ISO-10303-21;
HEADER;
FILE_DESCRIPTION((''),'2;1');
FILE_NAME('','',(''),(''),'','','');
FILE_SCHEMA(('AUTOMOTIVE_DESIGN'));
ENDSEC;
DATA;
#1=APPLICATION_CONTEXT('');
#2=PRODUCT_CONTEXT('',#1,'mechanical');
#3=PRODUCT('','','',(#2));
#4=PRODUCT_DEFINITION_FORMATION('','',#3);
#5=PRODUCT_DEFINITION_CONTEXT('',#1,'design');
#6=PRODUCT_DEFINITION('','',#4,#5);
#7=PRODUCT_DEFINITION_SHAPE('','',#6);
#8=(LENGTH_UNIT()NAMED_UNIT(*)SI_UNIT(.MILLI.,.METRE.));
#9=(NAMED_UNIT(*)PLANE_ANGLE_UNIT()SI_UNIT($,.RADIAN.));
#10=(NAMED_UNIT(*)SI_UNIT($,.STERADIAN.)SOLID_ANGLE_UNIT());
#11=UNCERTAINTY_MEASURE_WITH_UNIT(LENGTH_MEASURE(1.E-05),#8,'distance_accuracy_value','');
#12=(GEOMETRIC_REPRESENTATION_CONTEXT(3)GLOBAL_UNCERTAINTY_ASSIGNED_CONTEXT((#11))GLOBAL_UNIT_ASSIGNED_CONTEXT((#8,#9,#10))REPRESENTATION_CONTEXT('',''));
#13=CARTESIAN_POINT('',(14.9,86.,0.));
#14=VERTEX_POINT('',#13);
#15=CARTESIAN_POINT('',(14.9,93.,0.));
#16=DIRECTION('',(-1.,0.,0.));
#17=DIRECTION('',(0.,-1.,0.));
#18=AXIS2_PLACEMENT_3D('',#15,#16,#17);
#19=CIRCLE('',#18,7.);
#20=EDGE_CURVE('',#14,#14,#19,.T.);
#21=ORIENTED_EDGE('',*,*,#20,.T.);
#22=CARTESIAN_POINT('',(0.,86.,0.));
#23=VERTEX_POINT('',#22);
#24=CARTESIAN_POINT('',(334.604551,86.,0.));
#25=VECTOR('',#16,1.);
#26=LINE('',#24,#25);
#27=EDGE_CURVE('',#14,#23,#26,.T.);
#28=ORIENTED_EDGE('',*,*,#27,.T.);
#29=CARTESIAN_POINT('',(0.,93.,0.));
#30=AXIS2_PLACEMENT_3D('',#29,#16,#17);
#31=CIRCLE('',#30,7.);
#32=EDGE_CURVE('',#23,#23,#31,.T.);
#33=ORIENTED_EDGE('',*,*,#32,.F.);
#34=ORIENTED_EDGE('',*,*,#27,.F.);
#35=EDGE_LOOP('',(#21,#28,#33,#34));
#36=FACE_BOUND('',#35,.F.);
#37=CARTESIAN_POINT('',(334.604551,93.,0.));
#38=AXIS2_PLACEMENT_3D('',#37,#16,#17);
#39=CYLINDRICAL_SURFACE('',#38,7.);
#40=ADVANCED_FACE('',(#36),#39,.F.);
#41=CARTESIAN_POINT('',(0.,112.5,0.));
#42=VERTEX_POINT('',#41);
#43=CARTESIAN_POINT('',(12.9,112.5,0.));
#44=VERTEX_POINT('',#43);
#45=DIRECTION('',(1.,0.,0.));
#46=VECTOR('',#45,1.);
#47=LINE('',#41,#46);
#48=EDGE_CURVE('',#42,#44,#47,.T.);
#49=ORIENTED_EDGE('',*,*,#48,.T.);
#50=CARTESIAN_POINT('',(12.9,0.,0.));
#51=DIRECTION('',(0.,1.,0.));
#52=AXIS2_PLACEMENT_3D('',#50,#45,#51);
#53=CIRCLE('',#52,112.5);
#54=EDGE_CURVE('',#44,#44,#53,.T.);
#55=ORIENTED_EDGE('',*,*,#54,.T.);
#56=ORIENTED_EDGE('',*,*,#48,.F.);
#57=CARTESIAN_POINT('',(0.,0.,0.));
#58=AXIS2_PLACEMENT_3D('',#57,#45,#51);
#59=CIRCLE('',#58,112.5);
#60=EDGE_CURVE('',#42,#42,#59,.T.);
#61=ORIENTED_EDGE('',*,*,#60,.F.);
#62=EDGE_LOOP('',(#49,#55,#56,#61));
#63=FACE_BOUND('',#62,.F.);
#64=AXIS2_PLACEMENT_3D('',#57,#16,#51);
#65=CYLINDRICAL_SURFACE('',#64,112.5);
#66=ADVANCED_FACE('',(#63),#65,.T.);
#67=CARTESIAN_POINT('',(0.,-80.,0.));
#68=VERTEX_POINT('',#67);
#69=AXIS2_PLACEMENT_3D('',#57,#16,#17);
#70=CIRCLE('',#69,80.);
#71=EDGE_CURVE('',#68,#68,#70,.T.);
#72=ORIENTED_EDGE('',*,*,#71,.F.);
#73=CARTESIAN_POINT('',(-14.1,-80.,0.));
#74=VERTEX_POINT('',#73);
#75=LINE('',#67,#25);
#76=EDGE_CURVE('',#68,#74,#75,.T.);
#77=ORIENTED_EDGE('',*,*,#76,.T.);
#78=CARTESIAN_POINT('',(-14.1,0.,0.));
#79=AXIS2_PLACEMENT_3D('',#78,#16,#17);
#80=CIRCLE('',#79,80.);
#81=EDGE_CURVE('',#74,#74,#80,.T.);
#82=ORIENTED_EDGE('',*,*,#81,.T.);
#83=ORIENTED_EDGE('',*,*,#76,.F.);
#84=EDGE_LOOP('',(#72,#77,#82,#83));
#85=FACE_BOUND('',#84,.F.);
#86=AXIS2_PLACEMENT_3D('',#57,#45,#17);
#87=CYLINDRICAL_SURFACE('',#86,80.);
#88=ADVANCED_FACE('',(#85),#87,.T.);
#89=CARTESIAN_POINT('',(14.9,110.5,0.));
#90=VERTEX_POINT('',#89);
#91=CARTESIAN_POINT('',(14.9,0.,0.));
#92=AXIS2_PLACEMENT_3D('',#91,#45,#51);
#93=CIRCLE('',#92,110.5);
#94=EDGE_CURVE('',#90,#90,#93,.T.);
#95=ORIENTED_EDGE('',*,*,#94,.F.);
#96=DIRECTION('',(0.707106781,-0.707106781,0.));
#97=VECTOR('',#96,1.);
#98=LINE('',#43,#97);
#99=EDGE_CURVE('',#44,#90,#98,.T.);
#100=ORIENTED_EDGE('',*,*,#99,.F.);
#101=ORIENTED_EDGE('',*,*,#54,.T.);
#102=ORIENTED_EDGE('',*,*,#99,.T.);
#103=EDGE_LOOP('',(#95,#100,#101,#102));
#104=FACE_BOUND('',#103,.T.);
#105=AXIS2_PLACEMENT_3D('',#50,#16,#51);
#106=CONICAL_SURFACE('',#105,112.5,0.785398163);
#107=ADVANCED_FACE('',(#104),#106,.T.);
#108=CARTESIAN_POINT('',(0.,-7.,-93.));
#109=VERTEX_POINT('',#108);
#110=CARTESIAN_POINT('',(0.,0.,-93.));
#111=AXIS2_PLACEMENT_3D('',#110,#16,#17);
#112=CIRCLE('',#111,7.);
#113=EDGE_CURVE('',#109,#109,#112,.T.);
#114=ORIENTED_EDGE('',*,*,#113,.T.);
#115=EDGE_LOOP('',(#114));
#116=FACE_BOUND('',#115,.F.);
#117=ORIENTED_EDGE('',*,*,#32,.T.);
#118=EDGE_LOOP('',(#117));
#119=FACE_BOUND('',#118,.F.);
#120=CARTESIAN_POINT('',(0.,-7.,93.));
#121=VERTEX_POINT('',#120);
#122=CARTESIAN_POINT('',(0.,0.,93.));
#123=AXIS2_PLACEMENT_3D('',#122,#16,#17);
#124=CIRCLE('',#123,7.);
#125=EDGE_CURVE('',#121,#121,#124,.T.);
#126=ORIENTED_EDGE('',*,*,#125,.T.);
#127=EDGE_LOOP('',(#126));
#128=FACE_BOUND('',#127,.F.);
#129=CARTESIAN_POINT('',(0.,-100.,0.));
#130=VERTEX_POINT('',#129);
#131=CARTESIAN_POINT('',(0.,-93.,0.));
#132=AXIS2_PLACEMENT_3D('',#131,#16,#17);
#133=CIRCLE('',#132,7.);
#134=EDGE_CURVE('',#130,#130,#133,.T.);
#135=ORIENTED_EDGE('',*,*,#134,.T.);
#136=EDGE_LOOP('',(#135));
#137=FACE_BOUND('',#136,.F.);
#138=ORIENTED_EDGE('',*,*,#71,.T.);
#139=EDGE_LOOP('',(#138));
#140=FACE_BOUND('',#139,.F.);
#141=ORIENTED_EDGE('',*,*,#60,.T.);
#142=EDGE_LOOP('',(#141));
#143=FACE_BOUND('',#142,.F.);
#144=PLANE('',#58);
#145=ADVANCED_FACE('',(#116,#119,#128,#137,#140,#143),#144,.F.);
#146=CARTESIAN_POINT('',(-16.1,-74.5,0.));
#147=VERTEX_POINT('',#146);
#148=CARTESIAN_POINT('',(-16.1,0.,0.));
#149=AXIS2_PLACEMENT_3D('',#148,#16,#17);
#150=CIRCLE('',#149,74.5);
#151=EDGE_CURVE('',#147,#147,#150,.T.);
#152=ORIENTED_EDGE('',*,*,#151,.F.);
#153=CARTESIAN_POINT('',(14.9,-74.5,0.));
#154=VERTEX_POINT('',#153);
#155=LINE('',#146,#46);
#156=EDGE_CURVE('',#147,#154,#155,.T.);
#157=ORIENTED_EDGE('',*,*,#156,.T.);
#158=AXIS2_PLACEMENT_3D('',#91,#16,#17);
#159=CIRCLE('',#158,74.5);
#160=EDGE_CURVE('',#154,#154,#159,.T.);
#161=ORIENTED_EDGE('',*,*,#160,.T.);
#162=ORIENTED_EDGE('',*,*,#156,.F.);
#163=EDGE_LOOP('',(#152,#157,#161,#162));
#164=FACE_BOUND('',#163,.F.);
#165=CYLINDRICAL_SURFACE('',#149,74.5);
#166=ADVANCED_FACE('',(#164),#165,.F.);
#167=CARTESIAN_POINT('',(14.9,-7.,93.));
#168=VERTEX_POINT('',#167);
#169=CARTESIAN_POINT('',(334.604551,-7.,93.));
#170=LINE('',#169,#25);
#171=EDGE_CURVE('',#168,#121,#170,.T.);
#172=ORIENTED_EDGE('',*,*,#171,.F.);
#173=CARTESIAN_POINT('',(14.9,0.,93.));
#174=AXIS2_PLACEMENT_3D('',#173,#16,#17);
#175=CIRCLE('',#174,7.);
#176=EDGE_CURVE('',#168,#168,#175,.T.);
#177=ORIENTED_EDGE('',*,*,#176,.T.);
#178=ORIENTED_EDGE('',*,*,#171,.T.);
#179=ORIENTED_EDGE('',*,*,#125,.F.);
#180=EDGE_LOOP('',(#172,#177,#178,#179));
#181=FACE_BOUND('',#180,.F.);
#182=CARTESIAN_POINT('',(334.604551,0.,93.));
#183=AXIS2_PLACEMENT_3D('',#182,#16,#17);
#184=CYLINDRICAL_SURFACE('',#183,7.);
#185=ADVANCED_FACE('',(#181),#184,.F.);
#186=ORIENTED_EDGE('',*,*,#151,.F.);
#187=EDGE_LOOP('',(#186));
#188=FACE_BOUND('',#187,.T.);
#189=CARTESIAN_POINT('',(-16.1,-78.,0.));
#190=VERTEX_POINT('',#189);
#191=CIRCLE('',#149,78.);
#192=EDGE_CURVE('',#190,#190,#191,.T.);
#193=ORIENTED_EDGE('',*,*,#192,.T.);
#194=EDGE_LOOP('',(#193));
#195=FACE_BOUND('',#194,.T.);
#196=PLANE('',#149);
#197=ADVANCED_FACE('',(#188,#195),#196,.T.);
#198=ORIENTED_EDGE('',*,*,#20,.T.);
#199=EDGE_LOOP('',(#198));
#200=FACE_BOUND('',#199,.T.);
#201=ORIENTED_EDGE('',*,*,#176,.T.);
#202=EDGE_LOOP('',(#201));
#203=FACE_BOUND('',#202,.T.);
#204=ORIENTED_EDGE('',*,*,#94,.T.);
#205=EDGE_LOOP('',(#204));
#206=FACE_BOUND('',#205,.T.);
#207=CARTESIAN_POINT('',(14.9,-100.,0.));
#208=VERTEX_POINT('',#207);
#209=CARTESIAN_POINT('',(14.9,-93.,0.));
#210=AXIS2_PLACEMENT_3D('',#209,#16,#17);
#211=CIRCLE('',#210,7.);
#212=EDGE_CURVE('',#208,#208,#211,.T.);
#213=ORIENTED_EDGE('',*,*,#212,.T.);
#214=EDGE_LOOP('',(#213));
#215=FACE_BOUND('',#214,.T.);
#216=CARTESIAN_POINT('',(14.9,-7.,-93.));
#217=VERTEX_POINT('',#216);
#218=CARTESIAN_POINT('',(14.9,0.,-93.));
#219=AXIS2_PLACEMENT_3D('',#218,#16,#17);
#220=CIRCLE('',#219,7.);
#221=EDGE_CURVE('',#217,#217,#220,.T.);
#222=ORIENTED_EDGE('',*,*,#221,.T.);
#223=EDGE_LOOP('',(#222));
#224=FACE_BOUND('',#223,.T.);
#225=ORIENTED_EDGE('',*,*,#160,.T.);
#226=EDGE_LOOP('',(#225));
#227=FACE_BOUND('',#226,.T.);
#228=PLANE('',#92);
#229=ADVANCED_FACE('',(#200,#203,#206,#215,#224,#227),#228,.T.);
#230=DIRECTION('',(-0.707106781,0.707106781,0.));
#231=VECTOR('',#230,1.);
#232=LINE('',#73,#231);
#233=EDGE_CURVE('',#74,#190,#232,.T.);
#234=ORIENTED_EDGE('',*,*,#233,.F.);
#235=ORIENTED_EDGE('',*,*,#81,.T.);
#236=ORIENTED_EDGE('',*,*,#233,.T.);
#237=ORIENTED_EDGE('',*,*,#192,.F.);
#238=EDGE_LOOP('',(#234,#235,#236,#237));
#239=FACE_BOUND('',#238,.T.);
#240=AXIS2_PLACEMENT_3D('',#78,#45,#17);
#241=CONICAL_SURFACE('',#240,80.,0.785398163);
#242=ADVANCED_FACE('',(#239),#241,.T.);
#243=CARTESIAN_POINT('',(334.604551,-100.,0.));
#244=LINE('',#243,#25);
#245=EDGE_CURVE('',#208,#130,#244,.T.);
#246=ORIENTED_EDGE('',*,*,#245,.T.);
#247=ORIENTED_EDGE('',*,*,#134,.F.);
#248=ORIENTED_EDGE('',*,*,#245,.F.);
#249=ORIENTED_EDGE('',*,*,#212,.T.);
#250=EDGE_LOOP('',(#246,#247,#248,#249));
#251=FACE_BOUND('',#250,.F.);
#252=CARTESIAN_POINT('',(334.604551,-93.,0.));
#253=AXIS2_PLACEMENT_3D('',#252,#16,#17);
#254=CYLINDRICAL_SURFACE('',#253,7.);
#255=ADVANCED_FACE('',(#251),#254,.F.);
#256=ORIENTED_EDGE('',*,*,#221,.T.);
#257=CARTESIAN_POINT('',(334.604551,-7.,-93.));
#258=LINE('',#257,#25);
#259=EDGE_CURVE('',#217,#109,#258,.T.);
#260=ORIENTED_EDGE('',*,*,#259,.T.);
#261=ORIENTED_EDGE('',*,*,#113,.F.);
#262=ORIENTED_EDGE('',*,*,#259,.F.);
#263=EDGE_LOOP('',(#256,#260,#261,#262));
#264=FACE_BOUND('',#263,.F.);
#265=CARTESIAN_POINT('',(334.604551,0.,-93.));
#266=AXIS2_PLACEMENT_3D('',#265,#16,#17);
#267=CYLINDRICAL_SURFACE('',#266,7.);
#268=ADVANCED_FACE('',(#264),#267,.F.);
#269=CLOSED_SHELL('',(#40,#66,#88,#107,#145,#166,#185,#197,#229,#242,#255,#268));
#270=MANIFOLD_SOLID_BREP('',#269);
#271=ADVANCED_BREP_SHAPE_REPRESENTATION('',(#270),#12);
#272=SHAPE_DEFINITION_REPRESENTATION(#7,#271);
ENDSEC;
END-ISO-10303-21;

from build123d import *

# Parameters (mm, degrees)
F0_R     = 112.5
F1_DEPTH = 14.9
F2_R     = 80
F3_DEPTH = 16.1
F4_SIZE  = 2
F5_R     = 74.5
F6_DEPTH = 31.001
F8_D     = 14


with BuildPart() as f1:
    # F0 (on Right) → F1 (new body)
    with BuildSketch(Plane.YZ):
        Circle(F0_R)
    extrude(amount=F1_DEPTH)

    # F2 (on face) → F3 (join)
    with BuildSketch(Plane(origin=(0, 0, 0), x_dir=(0, -1, 0), z_dir=(-1, 0, 0))):
        Circle(F2_R)
    extrude(amount=F3_DEPTH)

    # F4
    f4_edges = [f1.edges().sort_by_distance(p)[0] for p in [
        (-16.1, 80, 0),
        (14.9, -112.5, 0),
    ]]
    chamfer(f4_edges, length=F4_SIZE)

    # F5 (on face) → F6 (cut, through all)
    with BuildSketch(Plane(origin=(-16.1, 0, 0), x_dir=(0, -1, 0), z_dir=(-1, 0, 0))):
        Circle(F5_R)
    extrude(amount=-F6_DEPTH, mode=Mode.SUBTRACT)

    # F8 (through all)
    with Locations(Plane.YZ.offset(14.9)):
        with Locations((0, -93), (-93, 0), (0, 93), (93, 0)):
            Hole(F8_D / 2)


solid = f1.part
